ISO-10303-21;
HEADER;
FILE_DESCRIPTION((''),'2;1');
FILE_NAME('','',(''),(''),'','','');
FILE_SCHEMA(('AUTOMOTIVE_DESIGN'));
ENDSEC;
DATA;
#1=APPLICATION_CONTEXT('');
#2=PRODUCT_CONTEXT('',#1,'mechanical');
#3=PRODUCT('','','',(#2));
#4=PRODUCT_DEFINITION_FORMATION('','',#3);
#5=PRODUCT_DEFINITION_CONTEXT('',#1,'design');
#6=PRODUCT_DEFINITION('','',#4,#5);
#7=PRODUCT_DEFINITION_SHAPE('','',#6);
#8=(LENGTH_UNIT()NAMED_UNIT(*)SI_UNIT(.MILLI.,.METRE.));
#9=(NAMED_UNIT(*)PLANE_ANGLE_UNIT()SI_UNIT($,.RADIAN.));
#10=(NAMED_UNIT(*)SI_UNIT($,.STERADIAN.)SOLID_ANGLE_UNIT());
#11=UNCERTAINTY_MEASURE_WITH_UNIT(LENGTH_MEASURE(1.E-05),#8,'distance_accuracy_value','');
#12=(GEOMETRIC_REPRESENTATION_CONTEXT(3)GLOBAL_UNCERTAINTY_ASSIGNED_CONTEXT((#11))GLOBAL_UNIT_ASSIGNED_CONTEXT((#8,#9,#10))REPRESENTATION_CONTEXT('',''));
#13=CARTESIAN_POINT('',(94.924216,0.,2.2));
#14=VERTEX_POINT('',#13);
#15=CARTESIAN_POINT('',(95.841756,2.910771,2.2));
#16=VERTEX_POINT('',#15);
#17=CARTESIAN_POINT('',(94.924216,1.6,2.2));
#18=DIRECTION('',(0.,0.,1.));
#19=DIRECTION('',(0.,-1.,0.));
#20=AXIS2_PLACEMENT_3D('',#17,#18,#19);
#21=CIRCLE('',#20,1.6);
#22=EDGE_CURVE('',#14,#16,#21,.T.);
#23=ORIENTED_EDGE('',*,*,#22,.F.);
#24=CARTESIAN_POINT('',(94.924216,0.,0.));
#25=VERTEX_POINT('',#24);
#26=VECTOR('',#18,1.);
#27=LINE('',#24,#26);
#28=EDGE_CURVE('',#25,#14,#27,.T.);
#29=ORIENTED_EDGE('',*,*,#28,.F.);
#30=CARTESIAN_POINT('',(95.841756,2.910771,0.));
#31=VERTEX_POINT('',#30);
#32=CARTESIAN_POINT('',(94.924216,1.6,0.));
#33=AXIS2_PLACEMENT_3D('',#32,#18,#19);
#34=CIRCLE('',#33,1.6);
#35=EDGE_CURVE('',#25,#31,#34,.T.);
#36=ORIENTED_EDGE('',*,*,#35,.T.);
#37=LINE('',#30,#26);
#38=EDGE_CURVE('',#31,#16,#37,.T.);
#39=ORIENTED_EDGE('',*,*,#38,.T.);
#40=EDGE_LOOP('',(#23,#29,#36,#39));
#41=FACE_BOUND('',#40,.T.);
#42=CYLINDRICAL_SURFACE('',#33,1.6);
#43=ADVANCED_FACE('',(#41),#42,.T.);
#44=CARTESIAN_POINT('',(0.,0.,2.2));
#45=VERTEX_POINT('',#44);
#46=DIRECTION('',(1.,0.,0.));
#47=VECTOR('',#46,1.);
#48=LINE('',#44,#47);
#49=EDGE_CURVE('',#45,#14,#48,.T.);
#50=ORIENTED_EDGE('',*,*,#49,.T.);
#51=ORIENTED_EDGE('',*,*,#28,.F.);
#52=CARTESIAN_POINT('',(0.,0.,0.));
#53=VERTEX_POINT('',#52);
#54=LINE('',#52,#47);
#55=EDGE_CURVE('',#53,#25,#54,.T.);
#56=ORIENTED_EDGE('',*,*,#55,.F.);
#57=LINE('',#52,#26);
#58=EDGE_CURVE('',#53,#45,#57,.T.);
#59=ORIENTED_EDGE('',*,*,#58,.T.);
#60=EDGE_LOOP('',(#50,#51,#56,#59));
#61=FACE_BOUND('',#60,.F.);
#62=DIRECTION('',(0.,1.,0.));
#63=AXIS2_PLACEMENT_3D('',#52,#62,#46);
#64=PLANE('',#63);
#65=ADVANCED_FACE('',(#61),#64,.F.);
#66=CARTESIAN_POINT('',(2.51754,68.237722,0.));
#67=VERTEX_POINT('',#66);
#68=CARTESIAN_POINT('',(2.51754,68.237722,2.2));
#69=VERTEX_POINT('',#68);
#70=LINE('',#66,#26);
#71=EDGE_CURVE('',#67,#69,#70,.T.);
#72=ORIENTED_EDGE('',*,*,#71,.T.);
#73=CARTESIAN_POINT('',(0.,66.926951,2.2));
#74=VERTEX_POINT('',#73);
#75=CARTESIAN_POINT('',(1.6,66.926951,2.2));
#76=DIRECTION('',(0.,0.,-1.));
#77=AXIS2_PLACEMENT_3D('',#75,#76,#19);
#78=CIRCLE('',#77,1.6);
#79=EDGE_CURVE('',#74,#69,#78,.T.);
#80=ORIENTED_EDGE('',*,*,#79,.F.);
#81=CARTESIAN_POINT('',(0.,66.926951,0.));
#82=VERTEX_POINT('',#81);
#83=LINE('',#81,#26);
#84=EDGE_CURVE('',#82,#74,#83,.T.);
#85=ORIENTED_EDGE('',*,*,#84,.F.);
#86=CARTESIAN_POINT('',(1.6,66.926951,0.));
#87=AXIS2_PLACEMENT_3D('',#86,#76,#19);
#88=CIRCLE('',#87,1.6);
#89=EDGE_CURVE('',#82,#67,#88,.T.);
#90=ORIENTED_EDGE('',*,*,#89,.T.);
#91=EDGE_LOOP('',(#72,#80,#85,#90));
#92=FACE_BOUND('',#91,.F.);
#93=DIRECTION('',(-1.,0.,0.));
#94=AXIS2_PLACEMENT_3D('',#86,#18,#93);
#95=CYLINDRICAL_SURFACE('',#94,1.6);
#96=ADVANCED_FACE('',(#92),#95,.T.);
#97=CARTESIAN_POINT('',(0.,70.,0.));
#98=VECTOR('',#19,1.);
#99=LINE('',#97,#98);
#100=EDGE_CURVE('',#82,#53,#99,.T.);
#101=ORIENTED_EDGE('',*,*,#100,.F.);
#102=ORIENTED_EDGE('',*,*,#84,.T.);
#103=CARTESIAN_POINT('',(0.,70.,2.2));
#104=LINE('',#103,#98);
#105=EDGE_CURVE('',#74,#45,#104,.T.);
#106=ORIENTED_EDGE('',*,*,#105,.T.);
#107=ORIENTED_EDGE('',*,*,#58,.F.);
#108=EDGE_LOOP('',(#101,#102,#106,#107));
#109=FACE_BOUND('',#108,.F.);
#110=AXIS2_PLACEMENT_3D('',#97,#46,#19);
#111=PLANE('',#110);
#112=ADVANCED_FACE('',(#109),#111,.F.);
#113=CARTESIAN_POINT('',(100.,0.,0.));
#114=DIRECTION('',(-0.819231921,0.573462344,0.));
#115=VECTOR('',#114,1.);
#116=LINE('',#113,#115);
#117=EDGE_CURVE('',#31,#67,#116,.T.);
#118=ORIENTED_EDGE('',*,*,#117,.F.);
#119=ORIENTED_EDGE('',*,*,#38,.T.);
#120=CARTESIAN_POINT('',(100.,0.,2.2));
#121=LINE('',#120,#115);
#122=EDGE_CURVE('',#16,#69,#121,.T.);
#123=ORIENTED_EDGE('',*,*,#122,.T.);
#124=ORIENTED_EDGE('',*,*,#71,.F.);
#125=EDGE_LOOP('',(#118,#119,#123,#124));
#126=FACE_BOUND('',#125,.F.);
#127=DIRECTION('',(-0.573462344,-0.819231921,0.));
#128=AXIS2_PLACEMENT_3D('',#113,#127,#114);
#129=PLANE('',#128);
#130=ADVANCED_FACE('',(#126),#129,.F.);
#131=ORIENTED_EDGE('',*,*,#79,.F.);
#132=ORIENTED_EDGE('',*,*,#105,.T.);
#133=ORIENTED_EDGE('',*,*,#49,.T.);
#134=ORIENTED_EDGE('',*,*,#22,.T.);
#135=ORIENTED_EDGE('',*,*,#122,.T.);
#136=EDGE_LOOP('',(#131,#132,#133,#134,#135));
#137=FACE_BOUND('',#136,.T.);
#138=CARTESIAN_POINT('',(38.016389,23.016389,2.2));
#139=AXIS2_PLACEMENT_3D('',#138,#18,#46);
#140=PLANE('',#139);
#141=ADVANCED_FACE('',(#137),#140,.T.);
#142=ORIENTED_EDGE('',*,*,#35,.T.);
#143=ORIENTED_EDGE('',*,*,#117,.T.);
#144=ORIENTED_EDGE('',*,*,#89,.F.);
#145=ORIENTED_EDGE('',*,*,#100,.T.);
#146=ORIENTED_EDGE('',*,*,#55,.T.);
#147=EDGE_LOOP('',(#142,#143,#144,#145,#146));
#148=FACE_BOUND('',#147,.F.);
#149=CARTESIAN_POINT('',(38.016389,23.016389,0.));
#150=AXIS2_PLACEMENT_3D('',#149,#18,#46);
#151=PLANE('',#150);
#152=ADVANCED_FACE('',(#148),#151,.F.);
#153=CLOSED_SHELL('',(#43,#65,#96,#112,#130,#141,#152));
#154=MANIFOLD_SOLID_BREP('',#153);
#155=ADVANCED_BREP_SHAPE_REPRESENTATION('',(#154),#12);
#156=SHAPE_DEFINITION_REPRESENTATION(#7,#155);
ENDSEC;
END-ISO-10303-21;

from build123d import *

# Parameters (mm, degrees)
F1_DEPTH = 2.2
F2_R     = 1.6


with BuildPart() as f1:
    # F0 (on Top) → F1 (new body)
    with BuildSketch(Plane.XY):
        Polygon((0, 70), (0, 0), (100, 0), align=None)
    extrude(amount=F1_DEPTH)

    # F2
    f2_edges = [f1.edges().sort_by_distance(p)[0] for p in [
        (100, 0, 1.1),
        (0, 70, 1.1),
    ]]
    fillet(f2_edges, radius=F2_R)


solid = f1.part
